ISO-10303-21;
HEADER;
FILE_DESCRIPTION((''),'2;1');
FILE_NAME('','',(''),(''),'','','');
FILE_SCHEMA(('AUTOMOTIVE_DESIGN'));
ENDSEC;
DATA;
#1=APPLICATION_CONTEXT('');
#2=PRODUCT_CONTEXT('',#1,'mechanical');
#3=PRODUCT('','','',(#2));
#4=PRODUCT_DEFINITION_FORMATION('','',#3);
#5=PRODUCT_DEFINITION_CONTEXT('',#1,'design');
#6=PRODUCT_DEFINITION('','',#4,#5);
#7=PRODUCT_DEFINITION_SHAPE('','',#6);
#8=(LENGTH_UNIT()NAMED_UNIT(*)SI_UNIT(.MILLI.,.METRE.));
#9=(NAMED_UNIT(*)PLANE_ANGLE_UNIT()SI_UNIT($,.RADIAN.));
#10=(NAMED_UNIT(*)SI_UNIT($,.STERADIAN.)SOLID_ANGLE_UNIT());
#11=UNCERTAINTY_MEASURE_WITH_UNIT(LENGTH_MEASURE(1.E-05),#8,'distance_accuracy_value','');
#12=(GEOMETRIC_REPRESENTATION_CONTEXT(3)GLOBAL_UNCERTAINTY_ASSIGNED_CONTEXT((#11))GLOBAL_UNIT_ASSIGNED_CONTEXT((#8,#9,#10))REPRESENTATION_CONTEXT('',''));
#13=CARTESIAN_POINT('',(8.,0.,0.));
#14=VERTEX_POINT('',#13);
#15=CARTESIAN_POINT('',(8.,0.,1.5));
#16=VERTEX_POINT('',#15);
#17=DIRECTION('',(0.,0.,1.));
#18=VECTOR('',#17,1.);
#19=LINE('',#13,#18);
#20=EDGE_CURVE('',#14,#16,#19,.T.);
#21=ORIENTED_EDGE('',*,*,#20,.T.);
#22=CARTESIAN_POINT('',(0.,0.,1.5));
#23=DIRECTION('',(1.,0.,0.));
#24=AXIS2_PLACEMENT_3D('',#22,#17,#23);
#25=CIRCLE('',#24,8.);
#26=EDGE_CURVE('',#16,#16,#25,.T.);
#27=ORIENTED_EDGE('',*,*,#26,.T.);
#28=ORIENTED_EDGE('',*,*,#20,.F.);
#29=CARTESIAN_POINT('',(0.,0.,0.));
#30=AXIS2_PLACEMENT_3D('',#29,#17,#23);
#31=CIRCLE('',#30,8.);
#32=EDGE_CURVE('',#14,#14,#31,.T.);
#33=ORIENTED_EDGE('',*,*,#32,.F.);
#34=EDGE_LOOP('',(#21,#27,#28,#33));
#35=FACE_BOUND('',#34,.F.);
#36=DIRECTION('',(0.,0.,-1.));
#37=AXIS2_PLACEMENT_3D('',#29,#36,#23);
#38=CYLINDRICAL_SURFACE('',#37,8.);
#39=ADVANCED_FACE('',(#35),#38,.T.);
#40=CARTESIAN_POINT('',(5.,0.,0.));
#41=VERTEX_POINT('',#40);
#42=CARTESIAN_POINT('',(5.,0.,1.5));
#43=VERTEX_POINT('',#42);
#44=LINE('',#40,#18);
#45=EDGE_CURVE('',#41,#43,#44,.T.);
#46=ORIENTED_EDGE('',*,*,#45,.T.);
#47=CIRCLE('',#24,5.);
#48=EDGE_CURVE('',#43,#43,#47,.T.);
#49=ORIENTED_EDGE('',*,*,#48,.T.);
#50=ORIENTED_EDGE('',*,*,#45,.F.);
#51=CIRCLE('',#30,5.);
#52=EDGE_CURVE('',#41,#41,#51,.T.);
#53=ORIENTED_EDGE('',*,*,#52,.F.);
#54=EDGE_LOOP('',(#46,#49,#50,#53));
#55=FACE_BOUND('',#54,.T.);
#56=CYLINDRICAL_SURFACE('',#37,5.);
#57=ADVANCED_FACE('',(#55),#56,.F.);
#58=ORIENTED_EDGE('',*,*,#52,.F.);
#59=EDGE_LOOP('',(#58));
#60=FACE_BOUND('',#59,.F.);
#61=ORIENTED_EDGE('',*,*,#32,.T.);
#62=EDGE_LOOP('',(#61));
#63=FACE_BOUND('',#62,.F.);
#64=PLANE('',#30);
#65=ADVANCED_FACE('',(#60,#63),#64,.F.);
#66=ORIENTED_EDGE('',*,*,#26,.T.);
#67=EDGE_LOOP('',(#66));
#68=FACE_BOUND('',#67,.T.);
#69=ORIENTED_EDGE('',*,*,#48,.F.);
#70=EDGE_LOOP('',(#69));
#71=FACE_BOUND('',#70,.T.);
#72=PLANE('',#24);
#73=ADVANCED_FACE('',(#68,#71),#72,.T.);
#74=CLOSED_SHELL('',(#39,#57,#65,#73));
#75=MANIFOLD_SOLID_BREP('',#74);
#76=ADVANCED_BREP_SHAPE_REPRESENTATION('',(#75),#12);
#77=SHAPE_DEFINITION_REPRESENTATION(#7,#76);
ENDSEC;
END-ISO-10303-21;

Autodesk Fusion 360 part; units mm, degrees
sketch "Sketch1" plane through (0, 0, 0) normal (0, 0, 1) x (1, 0, 0)
  circle A0 centre (0, 0) radius 5
  circle A1 centre (0, 0) radius 8
  dimension "d1" = 10
  dimension "d2" = 3
extrude "Extrude1" add sketch "Sketch1" along normal blind 1.5
